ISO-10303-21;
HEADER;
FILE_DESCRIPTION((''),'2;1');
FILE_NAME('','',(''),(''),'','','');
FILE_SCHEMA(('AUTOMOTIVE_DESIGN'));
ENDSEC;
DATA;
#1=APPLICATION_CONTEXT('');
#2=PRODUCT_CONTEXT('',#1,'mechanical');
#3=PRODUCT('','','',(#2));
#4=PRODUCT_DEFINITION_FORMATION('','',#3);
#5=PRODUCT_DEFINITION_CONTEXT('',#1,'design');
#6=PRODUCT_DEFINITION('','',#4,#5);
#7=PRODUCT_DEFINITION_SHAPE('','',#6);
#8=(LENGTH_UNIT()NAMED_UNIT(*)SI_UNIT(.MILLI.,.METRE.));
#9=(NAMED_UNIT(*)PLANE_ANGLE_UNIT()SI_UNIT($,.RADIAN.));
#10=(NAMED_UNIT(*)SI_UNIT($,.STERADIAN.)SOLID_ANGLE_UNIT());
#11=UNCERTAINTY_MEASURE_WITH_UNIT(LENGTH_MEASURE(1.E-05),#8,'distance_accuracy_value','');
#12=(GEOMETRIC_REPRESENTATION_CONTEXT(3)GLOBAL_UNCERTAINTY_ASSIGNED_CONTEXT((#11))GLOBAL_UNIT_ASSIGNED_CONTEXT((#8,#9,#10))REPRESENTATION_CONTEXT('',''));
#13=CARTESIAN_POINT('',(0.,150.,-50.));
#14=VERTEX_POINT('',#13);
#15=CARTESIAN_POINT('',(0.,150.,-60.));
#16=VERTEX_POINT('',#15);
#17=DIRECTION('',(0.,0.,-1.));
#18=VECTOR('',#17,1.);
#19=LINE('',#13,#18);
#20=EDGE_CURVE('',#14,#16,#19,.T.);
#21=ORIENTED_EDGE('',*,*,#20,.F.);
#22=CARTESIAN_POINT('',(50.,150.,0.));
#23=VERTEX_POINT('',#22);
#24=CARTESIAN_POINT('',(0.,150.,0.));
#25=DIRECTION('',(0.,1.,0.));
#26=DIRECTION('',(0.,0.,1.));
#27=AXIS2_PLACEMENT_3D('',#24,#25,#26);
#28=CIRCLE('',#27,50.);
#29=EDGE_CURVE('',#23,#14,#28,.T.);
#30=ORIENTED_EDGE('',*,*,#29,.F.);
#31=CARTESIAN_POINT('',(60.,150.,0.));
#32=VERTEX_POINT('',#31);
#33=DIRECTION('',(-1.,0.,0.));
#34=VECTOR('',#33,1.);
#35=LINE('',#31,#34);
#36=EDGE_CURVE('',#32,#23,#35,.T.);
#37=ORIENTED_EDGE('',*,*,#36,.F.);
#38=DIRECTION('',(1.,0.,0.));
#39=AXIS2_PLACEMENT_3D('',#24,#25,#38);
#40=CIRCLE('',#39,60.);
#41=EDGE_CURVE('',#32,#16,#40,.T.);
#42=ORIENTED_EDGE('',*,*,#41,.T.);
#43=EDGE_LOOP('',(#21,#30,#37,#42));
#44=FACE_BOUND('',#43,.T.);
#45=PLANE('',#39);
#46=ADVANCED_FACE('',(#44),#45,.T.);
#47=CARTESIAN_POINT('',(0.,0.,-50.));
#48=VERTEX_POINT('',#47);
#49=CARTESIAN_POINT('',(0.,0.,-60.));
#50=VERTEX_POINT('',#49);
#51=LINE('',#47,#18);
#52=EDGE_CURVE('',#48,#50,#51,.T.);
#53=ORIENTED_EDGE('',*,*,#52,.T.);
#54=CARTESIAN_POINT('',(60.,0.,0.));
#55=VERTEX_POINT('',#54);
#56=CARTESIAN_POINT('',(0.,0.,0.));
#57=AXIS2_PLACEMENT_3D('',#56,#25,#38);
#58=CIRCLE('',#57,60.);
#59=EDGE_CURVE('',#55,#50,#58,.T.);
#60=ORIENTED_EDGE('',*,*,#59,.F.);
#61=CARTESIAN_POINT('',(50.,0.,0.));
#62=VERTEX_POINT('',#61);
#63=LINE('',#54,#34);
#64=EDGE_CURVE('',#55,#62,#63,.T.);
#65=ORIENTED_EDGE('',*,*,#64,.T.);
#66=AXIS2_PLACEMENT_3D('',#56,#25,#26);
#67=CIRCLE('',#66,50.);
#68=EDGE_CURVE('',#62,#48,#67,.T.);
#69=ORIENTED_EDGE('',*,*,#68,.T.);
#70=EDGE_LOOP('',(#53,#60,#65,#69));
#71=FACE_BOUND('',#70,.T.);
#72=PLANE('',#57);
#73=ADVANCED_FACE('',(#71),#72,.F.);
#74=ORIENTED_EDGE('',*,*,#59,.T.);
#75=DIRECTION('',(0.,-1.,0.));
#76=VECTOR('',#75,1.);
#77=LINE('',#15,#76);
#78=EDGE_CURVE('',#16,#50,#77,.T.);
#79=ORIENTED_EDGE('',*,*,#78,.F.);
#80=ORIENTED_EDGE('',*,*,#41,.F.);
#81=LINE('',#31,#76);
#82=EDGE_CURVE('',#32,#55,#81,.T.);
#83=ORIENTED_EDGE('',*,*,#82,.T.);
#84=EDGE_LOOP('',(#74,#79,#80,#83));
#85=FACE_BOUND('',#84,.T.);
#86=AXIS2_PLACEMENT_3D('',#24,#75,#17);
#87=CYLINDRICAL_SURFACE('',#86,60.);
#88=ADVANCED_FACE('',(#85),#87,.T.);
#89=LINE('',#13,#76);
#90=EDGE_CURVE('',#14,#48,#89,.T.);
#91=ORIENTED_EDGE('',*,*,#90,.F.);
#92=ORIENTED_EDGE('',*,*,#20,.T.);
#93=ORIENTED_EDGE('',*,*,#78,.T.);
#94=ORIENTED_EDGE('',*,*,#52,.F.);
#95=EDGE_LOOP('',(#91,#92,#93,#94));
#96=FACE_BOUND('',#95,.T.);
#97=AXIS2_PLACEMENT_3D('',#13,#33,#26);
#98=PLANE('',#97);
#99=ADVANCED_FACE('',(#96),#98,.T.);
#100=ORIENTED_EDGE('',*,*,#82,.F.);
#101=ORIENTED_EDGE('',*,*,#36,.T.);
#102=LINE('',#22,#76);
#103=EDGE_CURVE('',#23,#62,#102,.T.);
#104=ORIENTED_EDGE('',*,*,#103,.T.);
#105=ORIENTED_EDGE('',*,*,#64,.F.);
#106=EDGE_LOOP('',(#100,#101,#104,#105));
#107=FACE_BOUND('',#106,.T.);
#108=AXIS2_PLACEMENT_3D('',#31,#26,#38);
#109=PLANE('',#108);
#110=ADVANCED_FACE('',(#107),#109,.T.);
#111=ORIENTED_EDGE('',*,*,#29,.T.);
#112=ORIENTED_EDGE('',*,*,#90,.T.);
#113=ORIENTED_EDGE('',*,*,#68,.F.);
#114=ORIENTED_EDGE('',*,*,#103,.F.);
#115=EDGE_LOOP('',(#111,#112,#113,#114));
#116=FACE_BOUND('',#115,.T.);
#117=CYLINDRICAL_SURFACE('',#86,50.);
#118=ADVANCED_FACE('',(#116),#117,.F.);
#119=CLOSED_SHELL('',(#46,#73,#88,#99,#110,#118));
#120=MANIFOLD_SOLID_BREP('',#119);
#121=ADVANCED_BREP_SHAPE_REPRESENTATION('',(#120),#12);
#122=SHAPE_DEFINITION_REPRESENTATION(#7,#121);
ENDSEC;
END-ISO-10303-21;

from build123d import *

# Parameters (mm, degrees)
EXTRUDE_THIN1_DEPTH = 150


with BuildPart() as part:
    # Sketch1 → Extrude-Thin1 (new body)
    with BuildSketch(Plane(origin=(0, 0, 0), x_dir=(1, 0, 0), z_dir=(0, 1, 0))):
        with BuildLine():
            ThreePointArc((50, 0), (35.355339059, 35.355339059), (0, 50))
            Line((0, 50), (0, 60))
            ThreePointArc((0, 60), (42.426406871, 42.426406871), (60, 0))
            Line((60, 0), (50, 0))
        make_face()
    extrude(amount=EXTRUDE_THIN1_DEPTH)


solid = part.part
